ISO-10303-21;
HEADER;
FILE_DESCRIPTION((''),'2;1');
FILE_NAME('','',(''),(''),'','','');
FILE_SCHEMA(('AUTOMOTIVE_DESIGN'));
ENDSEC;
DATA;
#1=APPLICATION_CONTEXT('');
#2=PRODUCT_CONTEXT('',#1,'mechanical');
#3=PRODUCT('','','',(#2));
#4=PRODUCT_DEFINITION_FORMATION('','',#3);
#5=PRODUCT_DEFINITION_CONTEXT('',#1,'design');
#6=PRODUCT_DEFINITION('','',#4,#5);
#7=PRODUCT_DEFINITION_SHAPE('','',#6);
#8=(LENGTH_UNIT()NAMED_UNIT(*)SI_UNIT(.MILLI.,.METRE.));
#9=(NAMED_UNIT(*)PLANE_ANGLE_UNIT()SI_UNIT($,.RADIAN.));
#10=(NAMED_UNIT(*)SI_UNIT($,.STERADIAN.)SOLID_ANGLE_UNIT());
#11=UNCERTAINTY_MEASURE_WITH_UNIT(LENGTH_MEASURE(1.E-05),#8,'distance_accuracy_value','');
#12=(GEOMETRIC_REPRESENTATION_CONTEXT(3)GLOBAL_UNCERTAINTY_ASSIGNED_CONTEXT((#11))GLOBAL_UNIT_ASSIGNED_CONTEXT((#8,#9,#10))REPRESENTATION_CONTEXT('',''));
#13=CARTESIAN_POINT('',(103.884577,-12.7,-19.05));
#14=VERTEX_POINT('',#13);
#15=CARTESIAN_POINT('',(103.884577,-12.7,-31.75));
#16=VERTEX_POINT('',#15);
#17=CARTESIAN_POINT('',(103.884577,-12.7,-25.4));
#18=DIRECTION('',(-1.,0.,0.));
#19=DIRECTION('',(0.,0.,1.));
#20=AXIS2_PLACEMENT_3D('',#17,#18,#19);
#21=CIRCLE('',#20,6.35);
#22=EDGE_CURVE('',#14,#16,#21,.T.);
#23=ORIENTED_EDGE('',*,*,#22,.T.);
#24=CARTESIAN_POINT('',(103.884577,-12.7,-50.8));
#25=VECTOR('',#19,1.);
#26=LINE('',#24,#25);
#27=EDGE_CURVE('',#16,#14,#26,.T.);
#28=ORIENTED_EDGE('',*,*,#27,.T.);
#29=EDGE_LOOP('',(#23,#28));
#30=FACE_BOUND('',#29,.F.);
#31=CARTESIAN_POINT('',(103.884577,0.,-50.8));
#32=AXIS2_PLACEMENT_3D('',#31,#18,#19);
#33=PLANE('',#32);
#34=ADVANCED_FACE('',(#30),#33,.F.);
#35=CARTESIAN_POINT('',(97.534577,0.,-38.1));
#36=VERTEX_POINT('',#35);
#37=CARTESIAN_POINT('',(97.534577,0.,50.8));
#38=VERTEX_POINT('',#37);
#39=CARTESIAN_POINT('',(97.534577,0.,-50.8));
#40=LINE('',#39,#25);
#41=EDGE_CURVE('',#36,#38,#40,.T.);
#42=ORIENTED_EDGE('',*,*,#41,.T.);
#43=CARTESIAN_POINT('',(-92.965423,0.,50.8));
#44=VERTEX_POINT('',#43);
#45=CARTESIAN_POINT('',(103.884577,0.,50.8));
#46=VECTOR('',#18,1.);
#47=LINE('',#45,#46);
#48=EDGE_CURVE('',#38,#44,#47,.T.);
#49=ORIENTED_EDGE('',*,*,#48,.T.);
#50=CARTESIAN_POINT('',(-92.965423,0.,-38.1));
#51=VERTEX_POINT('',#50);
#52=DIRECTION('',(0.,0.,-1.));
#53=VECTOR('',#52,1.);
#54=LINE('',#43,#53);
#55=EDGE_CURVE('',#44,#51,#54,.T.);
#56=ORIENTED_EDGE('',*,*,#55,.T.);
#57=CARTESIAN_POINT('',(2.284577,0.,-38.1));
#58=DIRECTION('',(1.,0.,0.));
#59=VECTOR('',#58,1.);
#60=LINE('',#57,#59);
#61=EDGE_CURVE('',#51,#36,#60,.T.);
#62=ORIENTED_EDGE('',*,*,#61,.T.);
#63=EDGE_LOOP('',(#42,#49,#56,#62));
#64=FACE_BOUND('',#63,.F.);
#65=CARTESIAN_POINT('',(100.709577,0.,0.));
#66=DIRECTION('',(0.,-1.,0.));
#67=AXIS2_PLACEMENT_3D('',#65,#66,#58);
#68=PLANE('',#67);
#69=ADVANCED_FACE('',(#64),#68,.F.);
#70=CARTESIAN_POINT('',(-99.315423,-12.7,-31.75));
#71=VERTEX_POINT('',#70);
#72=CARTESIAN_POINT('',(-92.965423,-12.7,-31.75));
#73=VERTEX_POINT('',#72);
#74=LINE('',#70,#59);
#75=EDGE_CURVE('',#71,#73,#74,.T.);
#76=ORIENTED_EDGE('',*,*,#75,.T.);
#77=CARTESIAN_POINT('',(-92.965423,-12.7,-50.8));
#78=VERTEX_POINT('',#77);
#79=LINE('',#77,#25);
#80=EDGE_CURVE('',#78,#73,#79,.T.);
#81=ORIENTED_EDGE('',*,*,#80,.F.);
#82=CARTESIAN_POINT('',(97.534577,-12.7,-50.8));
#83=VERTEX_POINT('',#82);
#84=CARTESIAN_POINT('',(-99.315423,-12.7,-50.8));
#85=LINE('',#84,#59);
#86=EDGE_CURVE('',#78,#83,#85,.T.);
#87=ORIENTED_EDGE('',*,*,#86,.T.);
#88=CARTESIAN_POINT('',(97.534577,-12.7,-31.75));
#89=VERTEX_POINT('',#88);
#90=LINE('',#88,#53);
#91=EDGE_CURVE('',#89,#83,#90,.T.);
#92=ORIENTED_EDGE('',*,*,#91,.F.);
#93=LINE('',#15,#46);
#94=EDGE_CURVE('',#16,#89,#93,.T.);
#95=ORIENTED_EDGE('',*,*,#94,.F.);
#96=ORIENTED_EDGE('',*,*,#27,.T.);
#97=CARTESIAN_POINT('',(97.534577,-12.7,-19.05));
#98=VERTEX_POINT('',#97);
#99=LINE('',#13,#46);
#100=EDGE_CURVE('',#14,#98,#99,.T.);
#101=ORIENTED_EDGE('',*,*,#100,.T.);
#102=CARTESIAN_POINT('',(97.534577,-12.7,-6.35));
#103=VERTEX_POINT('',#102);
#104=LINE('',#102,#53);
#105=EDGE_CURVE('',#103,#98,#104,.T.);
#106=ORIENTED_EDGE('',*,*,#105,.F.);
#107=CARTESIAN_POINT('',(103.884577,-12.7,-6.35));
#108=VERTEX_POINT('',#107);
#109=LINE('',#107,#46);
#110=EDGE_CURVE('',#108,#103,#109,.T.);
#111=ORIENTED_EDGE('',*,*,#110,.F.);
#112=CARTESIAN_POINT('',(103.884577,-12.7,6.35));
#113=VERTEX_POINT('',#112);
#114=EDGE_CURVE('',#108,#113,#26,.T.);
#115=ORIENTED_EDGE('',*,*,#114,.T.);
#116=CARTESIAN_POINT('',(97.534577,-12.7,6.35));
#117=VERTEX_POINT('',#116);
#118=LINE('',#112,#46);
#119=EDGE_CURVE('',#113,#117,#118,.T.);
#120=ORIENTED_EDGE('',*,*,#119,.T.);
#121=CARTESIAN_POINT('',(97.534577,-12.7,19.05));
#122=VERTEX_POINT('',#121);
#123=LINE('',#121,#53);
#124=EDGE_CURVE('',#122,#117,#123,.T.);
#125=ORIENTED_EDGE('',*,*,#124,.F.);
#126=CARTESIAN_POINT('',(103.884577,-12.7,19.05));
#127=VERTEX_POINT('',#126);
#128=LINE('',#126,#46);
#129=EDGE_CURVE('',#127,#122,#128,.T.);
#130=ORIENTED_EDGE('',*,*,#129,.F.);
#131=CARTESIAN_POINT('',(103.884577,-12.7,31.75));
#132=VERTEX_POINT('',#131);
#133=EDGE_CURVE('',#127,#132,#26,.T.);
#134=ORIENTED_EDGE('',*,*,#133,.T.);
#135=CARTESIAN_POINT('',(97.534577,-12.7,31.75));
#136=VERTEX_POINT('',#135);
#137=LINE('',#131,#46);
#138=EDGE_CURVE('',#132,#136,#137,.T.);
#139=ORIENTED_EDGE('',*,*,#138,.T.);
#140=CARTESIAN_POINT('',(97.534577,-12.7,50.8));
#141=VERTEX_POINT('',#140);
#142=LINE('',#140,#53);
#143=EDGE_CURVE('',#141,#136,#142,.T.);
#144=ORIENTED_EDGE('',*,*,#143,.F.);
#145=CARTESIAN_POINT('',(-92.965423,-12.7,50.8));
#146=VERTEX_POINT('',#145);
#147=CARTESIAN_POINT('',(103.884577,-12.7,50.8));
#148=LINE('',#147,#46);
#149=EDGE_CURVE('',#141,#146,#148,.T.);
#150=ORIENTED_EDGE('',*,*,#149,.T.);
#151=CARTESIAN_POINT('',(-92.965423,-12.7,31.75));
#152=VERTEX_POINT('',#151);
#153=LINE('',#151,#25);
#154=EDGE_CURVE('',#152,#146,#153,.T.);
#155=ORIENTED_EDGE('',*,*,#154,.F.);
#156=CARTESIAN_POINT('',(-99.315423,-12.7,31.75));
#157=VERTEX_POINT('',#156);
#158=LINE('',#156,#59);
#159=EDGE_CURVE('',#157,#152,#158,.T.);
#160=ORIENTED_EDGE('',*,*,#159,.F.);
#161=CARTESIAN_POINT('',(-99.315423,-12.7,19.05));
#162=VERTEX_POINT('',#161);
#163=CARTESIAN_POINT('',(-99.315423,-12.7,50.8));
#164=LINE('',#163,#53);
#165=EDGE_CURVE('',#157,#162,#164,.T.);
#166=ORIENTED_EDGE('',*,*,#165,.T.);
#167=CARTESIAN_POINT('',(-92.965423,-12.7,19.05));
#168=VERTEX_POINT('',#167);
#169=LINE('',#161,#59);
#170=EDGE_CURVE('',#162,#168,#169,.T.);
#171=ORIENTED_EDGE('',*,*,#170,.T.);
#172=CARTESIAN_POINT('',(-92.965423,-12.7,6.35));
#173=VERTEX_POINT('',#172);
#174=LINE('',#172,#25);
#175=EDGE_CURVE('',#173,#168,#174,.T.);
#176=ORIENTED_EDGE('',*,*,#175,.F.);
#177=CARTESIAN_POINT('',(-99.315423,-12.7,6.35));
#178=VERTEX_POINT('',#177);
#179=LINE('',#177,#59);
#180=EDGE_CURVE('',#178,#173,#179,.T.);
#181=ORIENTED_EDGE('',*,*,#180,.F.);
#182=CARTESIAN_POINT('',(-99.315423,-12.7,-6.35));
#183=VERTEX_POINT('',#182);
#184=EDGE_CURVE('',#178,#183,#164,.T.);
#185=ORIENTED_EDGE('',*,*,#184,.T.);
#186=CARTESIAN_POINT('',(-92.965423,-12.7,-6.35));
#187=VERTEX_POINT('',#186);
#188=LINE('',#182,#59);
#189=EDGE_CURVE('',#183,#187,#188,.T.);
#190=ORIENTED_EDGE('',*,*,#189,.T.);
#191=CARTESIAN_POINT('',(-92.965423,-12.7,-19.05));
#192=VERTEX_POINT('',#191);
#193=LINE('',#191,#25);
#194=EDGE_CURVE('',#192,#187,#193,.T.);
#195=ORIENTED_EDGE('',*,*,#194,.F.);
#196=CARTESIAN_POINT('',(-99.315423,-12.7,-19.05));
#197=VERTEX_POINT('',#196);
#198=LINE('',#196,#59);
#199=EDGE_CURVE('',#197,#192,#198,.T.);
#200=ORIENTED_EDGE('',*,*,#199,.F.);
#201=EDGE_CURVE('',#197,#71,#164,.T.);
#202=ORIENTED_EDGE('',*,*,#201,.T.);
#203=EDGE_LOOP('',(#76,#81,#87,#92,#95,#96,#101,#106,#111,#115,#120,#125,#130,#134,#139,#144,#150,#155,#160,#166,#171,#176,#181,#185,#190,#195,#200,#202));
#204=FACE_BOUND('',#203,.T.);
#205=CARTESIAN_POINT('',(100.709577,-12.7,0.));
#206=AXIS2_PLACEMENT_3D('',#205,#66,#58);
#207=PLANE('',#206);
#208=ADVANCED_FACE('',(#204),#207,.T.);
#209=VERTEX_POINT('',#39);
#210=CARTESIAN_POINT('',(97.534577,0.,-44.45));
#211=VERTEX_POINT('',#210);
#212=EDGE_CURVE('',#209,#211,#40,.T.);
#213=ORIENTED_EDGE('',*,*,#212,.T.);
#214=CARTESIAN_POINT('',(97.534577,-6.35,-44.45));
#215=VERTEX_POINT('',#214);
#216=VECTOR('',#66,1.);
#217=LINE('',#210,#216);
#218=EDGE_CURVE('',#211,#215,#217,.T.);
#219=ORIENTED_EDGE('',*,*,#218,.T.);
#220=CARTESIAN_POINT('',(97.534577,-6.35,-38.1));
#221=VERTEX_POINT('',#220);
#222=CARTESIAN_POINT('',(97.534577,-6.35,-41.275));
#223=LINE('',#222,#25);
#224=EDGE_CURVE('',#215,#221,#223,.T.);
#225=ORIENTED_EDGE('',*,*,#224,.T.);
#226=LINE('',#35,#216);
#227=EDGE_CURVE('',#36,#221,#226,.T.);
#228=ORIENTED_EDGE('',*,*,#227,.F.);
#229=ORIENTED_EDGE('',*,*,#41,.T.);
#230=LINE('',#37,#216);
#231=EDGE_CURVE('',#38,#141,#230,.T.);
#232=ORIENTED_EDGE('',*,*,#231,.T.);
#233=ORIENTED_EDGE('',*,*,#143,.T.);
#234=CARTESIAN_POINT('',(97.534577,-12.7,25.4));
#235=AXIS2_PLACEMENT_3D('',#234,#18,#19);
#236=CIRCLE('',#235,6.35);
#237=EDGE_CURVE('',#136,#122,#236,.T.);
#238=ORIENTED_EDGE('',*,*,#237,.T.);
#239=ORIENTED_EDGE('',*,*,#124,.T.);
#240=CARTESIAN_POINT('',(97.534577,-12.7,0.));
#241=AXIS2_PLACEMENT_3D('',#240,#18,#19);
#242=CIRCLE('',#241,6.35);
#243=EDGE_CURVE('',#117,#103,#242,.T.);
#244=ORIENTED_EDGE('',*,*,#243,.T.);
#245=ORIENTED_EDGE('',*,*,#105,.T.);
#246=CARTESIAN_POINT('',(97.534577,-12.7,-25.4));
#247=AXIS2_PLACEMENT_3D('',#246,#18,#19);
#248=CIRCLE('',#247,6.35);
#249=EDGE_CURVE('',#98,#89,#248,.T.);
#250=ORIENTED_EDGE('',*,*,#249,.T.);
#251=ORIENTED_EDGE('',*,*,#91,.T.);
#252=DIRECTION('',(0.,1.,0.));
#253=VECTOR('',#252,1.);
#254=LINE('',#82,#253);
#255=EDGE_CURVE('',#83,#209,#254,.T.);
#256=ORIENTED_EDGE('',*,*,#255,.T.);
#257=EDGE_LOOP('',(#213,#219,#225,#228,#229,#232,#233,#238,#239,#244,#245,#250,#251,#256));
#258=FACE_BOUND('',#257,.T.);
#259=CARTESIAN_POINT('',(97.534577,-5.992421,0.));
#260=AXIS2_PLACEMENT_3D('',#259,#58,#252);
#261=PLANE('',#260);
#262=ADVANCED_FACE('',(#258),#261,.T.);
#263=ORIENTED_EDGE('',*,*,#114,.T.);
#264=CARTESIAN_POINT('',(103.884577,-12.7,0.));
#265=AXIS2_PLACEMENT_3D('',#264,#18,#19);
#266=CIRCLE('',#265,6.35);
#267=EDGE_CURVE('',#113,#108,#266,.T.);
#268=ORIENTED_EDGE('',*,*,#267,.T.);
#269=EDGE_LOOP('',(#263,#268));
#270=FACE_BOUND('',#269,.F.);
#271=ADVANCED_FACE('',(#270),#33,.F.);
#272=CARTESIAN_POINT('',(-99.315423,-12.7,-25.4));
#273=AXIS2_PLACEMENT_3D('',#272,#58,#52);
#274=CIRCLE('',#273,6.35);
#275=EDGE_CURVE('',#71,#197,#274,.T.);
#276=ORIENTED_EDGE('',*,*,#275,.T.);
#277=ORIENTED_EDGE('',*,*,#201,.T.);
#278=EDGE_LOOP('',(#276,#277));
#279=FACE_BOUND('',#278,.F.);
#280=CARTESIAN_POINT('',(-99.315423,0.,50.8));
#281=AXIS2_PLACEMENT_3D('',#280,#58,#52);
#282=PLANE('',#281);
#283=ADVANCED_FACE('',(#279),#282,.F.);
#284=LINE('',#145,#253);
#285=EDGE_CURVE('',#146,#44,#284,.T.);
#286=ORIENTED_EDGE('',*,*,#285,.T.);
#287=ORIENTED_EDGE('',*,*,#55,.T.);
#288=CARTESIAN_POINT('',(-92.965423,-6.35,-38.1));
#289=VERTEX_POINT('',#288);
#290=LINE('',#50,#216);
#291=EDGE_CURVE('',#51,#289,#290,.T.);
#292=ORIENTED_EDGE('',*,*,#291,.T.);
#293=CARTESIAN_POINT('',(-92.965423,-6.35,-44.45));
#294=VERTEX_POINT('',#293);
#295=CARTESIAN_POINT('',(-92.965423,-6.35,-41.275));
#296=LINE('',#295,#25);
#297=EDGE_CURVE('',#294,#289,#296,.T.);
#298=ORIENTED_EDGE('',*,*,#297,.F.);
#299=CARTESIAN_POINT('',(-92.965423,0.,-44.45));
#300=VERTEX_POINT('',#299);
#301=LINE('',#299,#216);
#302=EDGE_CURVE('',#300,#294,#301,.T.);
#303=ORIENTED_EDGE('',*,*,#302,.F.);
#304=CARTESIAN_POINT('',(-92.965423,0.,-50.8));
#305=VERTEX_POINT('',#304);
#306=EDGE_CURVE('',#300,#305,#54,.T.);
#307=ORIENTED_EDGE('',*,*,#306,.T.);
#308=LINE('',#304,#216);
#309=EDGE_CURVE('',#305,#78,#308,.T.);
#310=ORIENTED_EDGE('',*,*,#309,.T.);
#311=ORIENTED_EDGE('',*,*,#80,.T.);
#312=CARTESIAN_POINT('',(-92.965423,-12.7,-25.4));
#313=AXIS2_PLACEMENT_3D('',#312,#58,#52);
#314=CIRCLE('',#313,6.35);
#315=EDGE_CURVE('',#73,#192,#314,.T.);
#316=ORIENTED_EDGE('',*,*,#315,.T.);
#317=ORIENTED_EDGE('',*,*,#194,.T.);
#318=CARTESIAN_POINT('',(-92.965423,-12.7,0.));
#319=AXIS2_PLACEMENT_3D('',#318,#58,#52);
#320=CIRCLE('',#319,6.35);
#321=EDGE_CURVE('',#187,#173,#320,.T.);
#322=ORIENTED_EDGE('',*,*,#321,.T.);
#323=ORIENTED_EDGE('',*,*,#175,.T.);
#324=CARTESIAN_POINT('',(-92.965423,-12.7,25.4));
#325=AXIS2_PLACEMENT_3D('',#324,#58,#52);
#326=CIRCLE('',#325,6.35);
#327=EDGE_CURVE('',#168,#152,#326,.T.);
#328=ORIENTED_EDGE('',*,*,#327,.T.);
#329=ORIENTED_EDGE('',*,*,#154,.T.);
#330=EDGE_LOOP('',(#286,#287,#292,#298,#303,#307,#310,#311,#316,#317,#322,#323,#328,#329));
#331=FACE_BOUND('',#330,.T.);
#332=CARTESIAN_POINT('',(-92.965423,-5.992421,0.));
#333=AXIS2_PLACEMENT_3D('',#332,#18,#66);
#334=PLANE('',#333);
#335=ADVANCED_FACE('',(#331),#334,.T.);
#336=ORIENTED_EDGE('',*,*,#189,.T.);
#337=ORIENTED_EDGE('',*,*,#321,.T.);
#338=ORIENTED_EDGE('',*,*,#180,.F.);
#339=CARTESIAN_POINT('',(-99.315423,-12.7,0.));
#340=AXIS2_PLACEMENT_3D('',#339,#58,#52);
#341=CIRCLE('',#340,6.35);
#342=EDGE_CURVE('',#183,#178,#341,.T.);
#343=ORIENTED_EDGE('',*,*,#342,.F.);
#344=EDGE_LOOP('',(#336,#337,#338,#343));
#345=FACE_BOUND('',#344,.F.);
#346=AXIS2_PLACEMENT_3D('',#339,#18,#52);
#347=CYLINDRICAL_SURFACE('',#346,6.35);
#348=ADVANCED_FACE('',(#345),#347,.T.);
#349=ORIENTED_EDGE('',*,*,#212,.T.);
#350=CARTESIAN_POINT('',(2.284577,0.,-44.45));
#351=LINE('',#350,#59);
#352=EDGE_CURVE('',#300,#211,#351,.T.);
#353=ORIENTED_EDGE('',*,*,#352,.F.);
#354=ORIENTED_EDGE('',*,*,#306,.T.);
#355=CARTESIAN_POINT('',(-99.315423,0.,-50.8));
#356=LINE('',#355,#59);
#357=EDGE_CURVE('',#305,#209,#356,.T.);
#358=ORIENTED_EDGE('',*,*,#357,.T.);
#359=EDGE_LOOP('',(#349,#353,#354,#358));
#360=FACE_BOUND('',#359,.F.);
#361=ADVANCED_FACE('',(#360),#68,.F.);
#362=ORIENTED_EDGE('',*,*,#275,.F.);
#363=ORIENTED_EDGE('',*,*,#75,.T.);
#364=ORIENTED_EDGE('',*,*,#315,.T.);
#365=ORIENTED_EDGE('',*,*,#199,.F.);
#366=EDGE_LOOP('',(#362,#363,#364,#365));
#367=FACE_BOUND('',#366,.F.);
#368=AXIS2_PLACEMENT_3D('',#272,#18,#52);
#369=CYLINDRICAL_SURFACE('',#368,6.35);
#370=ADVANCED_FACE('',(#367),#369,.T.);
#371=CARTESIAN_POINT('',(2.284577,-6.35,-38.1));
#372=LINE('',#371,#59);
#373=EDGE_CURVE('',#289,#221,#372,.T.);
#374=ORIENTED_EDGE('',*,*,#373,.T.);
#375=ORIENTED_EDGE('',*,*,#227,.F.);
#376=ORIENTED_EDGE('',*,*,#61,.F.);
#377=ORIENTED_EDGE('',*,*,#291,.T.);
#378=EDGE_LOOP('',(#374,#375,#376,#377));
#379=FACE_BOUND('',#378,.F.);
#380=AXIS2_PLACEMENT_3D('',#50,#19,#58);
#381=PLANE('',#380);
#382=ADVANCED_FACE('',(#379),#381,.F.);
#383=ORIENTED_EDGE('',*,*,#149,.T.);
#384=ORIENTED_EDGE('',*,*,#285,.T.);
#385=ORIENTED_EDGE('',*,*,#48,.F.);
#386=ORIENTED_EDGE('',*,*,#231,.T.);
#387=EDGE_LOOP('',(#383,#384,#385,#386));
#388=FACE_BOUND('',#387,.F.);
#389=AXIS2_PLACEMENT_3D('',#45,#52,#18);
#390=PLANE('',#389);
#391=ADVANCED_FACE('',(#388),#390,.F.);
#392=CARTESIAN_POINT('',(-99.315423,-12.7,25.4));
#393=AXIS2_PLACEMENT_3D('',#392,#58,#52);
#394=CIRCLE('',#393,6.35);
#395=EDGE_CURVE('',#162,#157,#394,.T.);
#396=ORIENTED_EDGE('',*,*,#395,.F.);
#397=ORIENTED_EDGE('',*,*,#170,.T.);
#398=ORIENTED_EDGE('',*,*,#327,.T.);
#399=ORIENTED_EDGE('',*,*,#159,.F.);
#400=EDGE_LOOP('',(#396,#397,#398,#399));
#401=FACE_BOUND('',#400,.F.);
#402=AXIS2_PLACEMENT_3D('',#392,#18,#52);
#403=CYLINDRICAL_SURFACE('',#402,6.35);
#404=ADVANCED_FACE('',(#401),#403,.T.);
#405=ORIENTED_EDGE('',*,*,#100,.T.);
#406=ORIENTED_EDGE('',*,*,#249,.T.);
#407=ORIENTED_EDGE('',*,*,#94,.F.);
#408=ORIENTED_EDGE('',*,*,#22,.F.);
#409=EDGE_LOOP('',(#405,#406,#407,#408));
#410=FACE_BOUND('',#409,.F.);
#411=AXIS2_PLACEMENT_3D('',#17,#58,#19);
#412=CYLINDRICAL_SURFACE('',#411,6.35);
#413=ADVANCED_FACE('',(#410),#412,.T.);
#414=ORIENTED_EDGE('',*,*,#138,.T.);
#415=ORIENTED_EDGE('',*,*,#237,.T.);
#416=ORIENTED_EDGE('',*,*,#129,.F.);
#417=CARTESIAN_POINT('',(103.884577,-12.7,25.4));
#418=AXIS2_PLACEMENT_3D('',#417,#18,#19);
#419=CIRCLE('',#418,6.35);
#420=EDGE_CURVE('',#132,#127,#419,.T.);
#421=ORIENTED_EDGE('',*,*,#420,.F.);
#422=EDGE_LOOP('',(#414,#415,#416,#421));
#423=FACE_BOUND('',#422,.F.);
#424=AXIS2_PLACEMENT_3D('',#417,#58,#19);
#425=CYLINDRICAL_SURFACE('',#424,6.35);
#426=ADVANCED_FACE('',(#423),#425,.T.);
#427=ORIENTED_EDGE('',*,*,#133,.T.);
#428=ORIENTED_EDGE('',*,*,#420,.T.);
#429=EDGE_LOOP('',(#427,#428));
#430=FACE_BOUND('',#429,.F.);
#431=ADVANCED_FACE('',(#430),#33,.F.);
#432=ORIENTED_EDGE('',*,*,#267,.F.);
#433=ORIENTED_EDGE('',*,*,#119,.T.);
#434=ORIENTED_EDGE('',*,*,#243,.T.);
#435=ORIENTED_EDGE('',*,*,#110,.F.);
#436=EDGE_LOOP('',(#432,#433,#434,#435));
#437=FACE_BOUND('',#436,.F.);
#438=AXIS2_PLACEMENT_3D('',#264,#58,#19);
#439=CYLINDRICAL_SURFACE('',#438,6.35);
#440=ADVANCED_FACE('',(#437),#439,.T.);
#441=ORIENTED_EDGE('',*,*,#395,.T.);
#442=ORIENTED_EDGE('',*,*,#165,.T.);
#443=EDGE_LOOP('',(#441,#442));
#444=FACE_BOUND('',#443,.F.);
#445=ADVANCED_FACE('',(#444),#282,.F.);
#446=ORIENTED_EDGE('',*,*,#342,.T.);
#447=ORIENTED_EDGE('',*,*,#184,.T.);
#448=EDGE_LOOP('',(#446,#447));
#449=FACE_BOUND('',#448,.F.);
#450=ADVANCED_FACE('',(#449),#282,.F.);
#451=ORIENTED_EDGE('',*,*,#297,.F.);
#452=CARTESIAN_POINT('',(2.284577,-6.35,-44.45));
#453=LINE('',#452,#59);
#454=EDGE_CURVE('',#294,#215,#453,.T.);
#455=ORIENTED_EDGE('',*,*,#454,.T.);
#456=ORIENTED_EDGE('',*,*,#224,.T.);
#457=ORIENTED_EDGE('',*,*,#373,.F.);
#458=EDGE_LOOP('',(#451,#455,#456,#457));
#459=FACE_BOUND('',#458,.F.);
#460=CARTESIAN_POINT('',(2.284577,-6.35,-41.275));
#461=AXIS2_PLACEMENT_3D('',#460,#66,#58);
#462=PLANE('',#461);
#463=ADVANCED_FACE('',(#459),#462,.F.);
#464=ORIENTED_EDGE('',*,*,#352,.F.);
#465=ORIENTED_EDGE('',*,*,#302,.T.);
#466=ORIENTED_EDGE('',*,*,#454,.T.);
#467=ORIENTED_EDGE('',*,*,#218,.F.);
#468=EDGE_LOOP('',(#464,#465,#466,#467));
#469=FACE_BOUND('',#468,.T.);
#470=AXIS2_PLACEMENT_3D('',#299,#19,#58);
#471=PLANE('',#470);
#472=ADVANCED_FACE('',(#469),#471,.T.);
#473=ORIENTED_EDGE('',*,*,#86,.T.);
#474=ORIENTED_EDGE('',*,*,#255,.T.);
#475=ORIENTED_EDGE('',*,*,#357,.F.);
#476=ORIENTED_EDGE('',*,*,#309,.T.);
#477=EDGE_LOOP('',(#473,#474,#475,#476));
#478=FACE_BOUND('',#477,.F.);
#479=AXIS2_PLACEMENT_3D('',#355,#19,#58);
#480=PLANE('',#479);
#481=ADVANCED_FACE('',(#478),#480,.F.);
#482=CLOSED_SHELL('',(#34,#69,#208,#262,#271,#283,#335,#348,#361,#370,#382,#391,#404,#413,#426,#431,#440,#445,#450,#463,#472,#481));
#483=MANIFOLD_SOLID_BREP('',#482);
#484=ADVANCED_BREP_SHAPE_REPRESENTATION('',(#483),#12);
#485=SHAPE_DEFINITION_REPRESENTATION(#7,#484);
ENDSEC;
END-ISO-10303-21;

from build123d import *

# Parameters (mm, degrees)
F0_W     = 190.5
F0_H     = 88.9
F0_H_2   = 6.35
F1_DEPTH = 12.7
F2_DEPTH = 6.35
F4_DEPTH = 6.35
F6_DEPTH = 6.35


with BuildPart() as f1:
    # F0 (on Front) → F1 (new body)
    with BuildSketch(Plane.XZ):
        Polygon((103.884577, -50.8), (103.884577, 50.8), (97.534577, 50.8), (97.534577, -38.1), (97.534577, -44.45), (97.534577, -50.8), align=None)
        with Locations((2.284577, 6.35)):
            Rectangle(F0_W, F0_H)
        Polygon((-92.965423, -38.1), (-92.965423, 50.8), (-99.315423, 50.8), (-99.315423, -50.8), (-92.965423, -50.8), (-92.965423, -44.45), align=None)
        with Locations((2.284577, -47.625)):
            Rectangle(F0_W, F0_H_2)
        with Locations((2.284577, -41.275)):
            Rectangle(F0_W, F0_H_2)
    extrude(amount=F1_DEPTH)

    # F0 (on Front) → F2 (cut)
    with BuildSketch(Plane.XZ):
        with Locations((2.284577, -41.275)):
            Rectangle(F0_W, F0_H_2)
    extrude(amount=F2_DEPTH, mode=Mode.SUBTRACT)

    # F3 (on face) → F4 (cut)
    with BuildSketch(Plane(origin=(-99.315423, 0, 0), x_dir=(0, -1, 0), z_dir=(-1, 0, 0))):
        with BuildLine():
            ThreePointArc((12.7, 19.05), (6.35, 25.4), (12.7, 31.75))
            Line((12.7, 31.75), (12.7, 50.8))
            Line((12.7, 50.8), (0, 50.8))
            Line((0, 50.8), (0, -50.8))
            Line((0, -50.8), (12.7, -50.8))
            Line((12.7, -50.8), (12.7, -31.75))
            ThreePointArc((12.7, -31.75), (6.35, -25.4), (12.7, -19.05))
            Line((12.7, -19.05), (12.7, -6.35))
            ThreePointArc((12.7, -6.35), (6.35, 0), (12.7, 6.35))
            Line((12.7, 6.35), (12.7, 19.05))
        make_face()
    extrude(amount=-F4_DEPTH, mode=Mode.SUBTRACT)

    # F5 (on face) → F6 (cut)
    with BuildSketch(Plane.YZ.offset(103.884577)):
        with BuildLine():
            ThreePointArc((-12.7, 31.75), (-6.35, 25.4), (-12.7, 19.05))
            Line((-12.7, 19.05), (-12.7, 6.35))
            ThreePointArc((-12.7, 6.35), (-6.35, 0), (-12.7, -6.35))
            Line((-12.7, -6.35), (-12.7, -19.05))
            ThreePointArc((-12.7, -19.05), (-6.35, -25.4), (-12.7, -31.75))
            Line((-12.7, -31.75), (-12.7, -50.8))
            Line((-12.7, -50.8), (0, -50.8))
            Line((0, -50.8), (0, 50.8))
            Line((0, 50.8), (-12.7, 50.8))
            Line((-12.7, 50.8), (-12.7, 31.75))
        make_face()
    extrude(amount=-F6_DEPTH, mode=Mode.SUBTRACT)


solid = f1.part
